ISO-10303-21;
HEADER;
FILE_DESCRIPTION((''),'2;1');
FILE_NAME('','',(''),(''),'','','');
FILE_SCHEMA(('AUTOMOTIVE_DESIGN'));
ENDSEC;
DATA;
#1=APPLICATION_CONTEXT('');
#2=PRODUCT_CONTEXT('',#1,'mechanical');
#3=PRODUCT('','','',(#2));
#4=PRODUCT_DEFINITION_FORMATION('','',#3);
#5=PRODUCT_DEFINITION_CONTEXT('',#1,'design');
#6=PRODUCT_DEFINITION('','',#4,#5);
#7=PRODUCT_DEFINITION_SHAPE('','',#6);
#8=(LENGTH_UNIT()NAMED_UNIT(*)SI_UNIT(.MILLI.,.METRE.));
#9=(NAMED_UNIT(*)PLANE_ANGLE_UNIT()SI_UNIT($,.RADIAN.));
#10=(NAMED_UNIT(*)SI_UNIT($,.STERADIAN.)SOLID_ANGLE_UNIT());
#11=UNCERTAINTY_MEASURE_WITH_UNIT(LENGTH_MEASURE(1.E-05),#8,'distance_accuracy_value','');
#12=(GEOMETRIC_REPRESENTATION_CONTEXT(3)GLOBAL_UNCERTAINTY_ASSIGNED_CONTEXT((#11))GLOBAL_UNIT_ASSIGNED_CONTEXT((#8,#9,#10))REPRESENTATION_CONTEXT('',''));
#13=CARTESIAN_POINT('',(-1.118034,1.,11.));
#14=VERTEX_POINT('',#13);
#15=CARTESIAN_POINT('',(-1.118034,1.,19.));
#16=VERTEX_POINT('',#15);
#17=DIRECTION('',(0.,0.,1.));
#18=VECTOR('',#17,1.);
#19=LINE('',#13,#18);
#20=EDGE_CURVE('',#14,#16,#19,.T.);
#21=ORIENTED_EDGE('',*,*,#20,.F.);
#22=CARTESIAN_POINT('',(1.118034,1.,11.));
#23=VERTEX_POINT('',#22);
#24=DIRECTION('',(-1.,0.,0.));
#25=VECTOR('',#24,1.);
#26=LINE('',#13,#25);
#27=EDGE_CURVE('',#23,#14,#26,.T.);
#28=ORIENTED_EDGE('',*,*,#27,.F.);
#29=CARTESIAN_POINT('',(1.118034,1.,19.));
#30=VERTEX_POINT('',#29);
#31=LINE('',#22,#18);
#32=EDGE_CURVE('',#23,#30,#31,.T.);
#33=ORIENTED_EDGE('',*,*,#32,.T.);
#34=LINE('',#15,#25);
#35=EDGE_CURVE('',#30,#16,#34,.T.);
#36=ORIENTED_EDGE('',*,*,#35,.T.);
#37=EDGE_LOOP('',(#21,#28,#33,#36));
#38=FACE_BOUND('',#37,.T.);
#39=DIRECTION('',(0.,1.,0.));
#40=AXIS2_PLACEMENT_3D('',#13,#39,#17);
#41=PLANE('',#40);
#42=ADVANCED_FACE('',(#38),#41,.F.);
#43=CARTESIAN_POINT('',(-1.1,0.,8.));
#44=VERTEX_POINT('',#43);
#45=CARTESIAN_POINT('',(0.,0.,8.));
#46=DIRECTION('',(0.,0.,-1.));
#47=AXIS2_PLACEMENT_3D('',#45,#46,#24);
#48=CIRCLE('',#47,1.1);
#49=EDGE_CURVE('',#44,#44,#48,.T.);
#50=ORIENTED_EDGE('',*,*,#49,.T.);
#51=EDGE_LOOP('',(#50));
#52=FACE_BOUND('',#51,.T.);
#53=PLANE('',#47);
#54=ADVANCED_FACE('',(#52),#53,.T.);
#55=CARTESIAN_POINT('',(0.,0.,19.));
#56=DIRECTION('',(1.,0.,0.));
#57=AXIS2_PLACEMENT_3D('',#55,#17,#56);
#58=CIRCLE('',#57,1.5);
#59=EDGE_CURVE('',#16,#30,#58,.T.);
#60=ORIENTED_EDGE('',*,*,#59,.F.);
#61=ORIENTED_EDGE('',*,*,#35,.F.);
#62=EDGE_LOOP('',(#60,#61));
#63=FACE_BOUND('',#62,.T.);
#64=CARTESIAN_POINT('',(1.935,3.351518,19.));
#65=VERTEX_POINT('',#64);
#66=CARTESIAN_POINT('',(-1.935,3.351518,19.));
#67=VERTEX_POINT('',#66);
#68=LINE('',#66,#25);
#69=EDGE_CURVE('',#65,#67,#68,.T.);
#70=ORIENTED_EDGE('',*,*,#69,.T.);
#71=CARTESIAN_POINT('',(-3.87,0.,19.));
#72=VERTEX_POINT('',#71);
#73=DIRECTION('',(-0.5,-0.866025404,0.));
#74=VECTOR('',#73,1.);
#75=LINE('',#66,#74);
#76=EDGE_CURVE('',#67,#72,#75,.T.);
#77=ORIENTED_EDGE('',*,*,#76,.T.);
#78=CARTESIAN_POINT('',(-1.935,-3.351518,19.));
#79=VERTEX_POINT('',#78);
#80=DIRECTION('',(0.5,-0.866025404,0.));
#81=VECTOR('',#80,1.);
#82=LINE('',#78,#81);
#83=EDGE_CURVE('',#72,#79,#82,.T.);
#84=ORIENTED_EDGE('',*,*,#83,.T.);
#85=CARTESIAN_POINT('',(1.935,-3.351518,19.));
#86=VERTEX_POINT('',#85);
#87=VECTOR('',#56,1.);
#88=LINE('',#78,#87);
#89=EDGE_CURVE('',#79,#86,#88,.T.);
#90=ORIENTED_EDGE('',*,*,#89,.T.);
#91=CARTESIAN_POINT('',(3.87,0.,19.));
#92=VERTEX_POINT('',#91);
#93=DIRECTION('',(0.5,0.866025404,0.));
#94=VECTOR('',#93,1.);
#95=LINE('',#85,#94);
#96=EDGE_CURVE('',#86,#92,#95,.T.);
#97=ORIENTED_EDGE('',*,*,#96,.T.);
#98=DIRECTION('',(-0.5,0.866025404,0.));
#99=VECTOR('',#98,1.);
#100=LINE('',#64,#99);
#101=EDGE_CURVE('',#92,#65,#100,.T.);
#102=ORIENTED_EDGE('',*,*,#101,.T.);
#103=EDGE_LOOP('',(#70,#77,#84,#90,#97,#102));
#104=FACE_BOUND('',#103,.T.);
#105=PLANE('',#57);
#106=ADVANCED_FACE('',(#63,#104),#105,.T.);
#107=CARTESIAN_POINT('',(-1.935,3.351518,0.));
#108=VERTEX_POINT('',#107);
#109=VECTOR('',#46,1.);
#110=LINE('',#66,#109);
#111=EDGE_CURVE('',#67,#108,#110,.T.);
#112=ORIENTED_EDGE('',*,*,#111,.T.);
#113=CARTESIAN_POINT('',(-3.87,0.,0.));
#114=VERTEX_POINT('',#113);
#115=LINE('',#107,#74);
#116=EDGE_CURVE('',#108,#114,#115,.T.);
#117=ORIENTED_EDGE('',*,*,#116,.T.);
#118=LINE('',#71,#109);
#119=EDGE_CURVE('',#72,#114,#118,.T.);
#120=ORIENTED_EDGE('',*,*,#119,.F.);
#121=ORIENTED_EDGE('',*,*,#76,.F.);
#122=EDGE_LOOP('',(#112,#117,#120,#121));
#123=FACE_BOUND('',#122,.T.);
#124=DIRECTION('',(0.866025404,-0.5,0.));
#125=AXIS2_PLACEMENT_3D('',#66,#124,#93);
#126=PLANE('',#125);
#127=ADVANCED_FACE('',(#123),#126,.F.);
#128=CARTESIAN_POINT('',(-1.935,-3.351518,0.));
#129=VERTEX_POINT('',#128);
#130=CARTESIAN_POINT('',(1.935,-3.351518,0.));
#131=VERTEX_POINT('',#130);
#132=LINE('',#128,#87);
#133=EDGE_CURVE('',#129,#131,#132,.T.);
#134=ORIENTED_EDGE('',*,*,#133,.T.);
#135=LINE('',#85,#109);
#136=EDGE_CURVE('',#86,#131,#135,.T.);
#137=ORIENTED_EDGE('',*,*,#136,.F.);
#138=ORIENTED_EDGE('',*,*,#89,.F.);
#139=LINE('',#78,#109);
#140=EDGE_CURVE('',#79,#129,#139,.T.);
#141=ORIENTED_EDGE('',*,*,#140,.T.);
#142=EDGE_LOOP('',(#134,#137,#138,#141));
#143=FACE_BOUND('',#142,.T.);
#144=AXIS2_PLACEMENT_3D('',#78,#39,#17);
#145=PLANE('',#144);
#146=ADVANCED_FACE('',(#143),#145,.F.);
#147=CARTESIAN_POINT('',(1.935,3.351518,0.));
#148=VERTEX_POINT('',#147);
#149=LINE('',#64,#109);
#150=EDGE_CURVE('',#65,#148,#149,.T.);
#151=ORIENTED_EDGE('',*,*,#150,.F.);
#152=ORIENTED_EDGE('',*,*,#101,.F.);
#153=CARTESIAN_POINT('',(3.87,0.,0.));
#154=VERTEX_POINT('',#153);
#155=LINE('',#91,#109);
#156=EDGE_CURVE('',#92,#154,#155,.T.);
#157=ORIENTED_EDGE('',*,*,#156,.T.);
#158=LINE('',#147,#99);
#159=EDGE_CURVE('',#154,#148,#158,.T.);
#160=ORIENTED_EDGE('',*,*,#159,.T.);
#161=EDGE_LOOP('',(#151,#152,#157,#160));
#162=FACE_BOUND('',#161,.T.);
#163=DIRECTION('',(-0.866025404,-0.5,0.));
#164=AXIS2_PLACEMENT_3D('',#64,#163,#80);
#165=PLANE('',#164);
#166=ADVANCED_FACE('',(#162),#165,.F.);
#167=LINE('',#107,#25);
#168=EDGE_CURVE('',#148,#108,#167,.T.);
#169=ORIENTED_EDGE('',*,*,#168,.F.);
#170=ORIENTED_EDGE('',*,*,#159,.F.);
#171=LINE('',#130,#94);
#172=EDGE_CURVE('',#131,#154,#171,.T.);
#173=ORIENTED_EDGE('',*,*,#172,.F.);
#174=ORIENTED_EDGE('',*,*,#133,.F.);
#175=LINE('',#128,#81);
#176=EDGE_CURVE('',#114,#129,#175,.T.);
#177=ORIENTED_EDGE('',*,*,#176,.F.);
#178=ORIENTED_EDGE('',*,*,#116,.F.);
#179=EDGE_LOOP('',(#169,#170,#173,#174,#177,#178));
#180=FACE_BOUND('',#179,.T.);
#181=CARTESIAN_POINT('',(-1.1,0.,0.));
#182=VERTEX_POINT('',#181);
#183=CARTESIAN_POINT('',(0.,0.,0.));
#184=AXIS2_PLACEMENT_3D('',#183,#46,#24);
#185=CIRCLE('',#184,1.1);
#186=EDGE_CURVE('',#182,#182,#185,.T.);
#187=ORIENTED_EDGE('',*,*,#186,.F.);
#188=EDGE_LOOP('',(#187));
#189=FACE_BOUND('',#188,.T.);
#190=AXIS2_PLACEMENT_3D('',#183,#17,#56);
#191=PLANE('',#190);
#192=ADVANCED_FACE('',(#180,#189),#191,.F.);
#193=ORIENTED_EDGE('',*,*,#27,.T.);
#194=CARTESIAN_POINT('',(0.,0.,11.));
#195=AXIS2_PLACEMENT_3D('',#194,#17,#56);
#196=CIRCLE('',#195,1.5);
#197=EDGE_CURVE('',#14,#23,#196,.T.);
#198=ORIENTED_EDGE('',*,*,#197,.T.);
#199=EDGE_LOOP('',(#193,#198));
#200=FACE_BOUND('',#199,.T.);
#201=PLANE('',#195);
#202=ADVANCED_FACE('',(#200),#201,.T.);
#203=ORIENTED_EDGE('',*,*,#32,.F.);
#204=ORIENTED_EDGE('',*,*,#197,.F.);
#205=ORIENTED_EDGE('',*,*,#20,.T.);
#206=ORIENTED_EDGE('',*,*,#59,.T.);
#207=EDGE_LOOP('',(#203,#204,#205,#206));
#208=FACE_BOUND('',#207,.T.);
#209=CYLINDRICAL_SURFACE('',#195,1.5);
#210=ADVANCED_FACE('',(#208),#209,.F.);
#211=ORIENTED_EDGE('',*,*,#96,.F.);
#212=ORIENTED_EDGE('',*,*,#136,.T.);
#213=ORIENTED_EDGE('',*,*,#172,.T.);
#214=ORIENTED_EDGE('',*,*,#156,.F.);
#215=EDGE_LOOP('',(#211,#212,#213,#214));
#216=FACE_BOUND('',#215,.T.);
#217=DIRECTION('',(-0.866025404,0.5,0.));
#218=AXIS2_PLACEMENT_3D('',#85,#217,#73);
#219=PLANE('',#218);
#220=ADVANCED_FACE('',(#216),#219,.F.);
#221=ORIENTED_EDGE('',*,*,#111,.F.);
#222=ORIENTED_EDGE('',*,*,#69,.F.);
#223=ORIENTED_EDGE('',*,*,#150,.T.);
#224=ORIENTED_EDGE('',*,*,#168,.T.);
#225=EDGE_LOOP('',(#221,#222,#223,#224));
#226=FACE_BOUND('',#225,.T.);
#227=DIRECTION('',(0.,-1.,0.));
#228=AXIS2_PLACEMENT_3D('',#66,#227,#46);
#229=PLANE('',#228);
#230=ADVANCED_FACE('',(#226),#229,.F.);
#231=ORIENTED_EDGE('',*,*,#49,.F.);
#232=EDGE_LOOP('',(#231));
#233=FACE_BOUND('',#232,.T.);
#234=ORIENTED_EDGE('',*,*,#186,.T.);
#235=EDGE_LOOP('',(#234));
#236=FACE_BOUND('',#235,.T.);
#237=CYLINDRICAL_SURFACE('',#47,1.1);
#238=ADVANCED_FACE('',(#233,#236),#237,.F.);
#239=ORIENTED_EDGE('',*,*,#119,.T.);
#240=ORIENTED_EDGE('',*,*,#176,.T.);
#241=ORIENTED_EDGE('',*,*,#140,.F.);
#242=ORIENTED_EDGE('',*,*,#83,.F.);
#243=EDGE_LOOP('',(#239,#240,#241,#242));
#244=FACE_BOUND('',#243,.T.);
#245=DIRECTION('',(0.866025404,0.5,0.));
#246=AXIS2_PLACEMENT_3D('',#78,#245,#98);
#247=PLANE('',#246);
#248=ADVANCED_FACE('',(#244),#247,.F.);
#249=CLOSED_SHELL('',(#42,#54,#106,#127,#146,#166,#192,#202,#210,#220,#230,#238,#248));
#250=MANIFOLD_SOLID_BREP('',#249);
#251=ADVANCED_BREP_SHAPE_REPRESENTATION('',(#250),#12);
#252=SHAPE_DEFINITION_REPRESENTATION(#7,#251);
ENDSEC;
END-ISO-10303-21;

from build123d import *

# Parameters (mm, degrees)
EXTRUDE_1_DEPTH     = 19
CUT_EXTRUDE_1_DEPTH = 8
SKETCH_3_R          = 1.1
CUT_EXTRUDE_2_DEPTH = 8


with BuildPart() as part:
    # 草图1 → 凸台-拉伸1 (new body)
    with BuildSketch(Plane.XY):
        Polygon((-1.935, 3.351518313), (1.935, 3.351518313), (3.87, 0), (1.935, -3.351518313), (-1.935, -3.351518313), (-3.87, 0), align=None)
    extrude(amount=EXTRUDE_1_DEPTH)

    # 草图2 → 切除-拉伸1 (cut)
    with BuildSketch(Plane.XY.offset(19)):
        with BuildLine():
            Line((-1.118033989, 1), (1.118033989, 1))
            ThreePointArc((1.118033989, 1), (0, -1.5), (-1.118033989, 1))
        make_face()
    extrude(amount=-CUT_EXTRUDE_1_DEPTH, mode=Mode.SUBTRACT)

    # 草图3 → 切除-拉伸2 (cut)
    with BuildSketch(Plane(origin=(0, 0, 0), x_dir=(-1, 0, 0), z_dir=(0, 0, -1))):
        Circle(SKETCH_3_R)
    extrude(amount=-CUT_EXTRUDE_2_DEPTH, mode=Mode.SUBTRACT)


solid = part.part
